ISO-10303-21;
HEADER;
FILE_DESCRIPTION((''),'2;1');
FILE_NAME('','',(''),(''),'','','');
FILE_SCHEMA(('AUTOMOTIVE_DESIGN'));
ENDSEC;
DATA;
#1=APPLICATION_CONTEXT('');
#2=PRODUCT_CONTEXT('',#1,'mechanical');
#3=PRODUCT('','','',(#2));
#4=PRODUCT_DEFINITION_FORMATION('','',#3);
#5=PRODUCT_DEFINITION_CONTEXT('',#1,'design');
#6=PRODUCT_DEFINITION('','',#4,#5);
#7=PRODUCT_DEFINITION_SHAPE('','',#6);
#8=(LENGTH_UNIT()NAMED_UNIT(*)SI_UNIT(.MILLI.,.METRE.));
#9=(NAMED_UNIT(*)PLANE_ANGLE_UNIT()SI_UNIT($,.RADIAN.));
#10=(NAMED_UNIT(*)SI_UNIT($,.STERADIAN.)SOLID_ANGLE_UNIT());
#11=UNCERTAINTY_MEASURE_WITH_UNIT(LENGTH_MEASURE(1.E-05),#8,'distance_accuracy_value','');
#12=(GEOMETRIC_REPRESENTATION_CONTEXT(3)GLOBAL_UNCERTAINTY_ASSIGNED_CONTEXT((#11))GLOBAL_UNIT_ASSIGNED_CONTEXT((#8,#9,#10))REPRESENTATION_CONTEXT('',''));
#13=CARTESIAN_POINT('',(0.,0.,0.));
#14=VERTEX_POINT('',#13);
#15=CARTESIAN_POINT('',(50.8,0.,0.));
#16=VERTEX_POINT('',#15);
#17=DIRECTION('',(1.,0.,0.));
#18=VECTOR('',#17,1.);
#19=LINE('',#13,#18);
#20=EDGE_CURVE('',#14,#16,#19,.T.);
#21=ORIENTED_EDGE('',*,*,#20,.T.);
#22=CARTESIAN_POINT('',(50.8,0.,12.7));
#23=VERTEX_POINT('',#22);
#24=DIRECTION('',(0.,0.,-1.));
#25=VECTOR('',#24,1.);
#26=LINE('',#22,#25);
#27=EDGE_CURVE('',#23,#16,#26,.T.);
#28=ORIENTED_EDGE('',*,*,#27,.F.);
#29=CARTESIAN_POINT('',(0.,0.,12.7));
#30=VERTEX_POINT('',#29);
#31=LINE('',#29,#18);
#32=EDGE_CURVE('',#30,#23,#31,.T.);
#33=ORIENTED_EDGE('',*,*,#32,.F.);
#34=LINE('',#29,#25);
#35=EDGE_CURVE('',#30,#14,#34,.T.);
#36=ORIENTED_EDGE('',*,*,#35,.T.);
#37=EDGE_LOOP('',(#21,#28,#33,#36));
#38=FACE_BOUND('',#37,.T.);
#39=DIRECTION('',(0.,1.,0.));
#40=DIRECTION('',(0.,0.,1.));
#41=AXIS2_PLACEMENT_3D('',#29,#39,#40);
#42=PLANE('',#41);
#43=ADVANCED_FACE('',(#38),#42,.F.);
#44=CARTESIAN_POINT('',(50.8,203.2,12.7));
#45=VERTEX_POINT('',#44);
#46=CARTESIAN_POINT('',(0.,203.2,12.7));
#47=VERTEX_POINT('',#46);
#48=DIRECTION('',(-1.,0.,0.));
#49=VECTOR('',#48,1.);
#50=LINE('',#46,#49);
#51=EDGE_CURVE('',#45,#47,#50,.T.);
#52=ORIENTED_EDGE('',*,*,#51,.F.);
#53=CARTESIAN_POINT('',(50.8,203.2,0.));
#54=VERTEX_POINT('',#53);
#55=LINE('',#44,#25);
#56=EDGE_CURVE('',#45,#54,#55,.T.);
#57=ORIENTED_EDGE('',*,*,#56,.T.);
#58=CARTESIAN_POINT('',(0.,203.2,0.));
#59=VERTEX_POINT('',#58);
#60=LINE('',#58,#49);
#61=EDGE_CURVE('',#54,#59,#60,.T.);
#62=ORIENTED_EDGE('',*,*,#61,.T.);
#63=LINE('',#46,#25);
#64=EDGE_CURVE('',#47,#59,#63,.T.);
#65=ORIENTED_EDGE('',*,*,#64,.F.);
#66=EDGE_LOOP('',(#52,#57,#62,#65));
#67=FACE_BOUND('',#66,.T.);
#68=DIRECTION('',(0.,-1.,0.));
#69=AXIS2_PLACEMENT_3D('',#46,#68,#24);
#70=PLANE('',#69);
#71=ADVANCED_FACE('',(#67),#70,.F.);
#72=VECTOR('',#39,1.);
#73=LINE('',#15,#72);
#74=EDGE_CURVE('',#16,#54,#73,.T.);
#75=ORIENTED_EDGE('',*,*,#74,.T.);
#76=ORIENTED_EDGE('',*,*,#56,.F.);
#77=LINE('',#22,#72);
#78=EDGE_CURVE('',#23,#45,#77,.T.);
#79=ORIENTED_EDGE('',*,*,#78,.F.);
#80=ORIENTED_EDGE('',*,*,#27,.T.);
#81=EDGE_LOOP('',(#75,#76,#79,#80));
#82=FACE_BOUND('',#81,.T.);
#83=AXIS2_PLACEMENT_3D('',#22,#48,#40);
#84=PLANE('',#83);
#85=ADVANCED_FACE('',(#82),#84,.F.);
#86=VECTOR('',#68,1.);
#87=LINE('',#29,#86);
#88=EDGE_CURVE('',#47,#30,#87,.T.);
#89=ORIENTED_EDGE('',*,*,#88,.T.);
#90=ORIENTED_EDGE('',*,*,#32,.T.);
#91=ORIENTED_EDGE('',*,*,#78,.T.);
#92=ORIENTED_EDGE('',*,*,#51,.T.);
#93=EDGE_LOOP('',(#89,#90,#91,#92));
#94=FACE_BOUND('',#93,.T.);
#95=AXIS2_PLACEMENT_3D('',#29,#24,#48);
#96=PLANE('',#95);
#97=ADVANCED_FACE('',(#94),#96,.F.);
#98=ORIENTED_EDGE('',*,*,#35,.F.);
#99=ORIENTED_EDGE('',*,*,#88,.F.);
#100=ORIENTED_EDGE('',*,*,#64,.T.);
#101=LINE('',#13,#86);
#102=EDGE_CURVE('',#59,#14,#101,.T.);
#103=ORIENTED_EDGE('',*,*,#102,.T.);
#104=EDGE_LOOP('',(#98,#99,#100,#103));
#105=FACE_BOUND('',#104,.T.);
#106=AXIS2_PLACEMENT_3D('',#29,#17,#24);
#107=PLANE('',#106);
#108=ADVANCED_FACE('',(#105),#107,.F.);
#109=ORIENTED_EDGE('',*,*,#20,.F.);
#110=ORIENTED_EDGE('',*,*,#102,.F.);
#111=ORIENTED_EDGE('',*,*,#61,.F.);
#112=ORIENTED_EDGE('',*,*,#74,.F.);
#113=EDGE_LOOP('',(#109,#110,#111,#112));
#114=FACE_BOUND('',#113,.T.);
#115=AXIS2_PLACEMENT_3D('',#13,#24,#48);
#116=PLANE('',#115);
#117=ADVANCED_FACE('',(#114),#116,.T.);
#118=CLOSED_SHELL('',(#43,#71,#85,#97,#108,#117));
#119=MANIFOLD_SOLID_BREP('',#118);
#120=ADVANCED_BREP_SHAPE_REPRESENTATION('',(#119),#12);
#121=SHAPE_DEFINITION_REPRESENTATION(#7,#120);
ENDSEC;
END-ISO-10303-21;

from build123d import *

# Parameters (mm, degrees)
SKETCH1_W           = 50.8
SKETCH1_H           = 203.2
BOSS_EXTRUDE1_DEPTH = 12.7


with BuildPart() as part:
    # Sketch1 → Boss-Extrude1 (new body)
    with BuildSketch(Plane.XY):
        with Locations((25.4, 101.6)):
            Rectangle(SKETCH1_W, SKETCH1_H)
    extrude(amount=BOSS_EXTRUDE1_DEPTH)


solid = part.part
